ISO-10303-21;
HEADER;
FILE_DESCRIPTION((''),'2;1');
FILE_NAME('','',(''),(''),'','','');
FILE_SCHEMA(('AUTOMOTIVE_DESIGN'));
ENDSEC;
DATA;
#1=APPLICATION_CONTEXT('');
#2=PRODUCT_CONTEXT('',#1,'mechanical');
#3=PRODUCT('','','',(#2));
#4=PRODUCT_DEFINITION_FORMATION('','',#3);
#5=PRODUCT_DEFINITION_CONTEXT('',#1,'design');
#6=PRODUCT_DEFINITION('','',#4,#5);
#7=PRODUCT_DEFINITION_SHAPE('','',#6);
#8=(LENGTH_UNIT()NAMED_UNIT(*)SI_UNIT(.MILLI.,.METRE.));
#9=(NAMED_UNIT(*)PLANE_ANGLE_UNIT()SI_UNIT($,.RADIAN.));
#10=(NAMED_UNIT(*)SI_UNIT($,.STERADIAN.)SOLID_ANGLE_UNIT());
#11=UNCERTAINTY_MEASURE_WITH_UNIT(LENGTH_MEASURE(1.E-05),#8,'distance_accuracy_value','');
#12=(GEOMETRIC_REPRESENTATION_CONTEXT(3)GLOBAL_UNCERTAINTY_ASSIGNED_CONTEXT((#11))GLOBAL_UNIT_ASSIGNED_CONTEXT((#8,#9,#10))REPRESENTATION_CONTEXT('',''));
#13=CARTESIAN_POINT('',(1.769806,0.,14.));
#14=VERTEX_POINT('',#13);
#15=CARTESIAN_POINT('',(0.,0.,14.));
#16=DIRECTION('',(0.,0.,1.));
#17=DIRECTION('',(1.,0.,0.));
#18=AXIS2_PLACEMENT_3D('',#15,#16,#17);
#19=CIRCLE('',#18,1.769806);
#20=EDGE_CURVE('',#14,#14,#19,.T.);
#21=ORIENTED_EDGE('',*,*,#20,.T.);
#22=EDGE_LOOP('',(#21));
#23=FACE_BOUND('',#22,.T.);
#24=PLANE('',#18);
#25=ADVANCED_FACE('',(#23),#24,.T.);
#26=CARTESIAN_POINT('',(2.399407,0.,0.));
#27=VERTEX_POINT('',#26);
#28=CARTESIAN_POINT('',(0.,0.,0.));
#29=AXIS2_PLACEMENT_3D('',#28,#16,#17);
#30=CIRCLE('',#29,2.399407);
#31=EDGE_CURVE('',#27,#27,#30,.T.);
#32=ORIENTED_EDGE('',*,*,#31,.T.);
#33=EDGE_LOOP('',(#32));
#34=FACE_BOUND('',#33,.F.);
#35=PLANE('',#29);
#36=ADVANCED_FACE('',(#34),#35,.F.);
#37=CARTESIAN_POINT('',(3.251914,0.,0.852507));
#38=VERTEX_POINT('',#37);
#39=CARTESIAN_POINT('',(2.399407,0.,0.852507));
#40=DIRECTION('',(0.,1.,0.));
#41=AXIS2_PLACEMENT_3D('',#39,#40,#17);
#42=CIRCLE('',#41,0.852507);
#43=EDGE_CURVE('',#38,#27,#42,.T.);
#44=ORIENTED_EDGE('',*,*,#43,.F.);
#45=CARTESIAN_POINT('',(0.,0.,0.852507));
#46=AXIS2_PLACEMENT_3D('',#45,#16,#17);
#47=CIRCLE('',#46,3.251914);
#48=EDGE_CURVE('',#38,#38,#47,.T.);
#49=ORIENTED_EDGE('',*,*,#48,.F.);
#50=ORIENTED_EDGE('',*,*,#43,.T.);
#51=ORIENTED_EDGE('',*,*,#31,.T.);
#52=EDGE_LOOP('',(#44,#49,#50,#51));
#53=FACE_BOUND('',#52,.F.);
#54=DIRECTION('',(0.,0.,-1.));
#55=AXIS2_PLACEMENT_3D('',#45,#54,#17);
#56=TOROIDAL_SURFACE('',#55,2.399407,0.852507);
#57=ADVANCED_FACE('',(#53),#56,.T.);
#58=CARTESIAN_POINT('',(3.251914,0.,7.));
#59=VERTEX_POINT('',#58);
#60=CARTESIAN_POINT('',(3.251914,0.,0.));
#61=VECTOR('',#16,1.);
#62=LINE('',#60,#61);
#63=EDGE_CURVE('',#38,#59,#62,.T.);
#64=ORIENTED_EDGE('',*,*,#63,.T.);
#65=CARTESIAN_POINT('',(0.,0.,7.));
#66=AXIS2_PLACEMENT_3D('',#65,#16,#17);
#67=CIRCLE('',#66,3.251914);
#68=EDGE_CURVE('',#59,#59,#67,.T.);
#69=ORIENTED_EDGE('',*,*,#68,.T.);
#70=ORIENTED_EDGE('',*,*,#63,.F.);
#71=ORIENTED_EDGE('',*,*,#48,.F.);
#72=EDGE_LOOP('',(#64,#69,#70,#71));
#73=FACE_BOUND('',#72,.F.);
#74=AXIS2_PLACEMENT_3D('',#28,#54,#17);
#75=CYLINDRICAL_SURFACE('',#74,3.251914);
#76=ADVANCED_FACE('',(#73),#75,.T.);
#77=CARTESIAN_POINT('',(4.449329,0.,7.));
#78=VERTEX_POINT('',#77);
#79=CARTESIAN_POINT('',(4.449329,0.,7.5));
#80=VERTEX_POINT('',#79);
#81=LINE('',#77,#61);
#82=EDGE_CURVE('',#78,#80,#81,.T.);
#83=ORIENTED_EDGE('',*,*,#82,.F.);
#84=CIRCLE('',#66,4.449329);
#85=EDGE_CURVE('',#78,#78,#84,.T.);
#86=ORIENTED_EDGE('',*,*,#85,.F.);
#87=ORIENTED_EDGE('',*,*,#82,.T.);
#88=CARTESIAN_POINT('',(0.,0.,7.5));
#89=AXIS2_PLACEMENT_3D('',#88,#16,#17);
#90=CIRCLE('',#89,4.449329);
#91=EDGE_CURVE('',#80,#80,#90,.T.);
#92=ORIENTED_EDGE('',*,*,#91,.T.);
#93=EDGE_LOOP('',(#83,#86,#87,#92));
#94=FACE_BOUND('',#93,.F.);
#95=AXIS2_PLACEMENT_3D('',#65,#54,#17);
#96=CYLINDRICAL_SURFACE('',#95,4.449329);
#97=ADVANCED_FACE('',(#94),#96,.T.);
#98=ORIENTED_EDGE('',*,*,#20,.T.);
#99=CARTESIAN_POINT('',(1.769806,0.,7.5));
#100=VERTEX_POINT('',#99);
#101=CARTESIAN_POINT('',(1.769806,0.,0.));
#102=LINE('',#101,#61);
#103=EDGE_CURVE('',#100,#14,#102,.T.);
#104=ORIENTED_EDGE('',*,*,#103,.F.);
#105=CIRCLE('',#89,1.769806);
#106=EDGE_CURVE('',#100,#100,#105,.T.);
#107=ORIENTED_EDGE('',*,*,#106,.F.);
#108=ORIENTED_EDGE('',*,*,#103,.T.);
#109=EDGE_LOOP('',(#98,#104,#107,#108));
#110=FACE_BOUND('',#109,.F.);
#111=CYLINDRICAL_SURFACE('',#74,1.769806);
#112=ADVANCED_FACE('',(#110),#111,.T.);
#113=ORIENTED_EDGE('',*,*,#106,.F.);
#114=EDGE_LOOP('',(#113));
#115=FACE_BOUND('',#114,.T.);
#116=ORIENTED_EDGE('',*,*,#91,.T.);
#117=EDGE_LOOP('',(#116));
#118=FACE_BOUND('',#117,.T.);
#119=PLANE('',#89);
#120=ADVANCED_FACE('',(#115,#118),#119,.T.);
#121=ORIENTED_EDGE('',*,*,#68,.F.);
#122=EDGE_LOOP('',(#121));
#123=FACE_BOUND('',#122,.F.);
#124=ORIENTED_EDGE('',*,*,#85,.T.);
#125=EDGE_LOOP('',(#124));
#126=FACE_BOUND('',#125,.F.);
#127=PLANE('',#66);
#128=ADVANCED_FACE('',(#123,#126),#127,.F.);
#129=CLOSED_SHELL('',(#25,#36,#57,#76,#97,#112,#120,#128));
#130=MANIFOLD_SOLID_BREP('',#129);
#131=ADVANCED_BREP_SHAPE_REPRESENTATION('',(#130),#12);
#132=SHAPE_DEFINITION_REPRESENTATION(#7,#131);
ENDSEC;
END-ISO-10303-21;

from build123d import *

# Parameters (mm, degrees)
F0_R     = 3.251914
F0_R_2   = 1.769806
F1_DEPTH = 7
F2_R     = 0.852507
F3_DEPTH = 14
F4_R     = 4.449329
F4_R_2   = 3.251914
F4_R_3   = 1.769806
F5_DEPTH = 0.5


with BuildPart() as f1:
    # F0 (on Top) → F1 (new body)
    with BuildSketch(Plane.XY):
        Circle(F0_R)
        Circle(F0_R_2, mode=Mode.SUBTRACT)
    extrude(amount=F1_DEPTH)

    # F2
    f2_edges = [f1.edges().sort_by_distance(p)[0] for p in [
        (-3.251914, 0, 0),
    ]]
    fillet(f2_edges, radius=F2_R)

    # F0 (on Top) → F3 (join)
    with BuildSketch(Plane.XY):
        Circle(F0_R_2)
    extrude(amount=F3_DEPTH)

    # F4 (on face) → F5 (join)
    with BuildSketch(Plane.XY.offset(7)):
        Circle(F4_R)
        Circle(F4_R_2, mode=Mode.SUBTRACT)
        Circle(F4_R_2)
        Circle(F4_R_3, mode=Mode.SUBTRACT)
    extrude(amount=F5_DEPTH)


solid = f1.part
